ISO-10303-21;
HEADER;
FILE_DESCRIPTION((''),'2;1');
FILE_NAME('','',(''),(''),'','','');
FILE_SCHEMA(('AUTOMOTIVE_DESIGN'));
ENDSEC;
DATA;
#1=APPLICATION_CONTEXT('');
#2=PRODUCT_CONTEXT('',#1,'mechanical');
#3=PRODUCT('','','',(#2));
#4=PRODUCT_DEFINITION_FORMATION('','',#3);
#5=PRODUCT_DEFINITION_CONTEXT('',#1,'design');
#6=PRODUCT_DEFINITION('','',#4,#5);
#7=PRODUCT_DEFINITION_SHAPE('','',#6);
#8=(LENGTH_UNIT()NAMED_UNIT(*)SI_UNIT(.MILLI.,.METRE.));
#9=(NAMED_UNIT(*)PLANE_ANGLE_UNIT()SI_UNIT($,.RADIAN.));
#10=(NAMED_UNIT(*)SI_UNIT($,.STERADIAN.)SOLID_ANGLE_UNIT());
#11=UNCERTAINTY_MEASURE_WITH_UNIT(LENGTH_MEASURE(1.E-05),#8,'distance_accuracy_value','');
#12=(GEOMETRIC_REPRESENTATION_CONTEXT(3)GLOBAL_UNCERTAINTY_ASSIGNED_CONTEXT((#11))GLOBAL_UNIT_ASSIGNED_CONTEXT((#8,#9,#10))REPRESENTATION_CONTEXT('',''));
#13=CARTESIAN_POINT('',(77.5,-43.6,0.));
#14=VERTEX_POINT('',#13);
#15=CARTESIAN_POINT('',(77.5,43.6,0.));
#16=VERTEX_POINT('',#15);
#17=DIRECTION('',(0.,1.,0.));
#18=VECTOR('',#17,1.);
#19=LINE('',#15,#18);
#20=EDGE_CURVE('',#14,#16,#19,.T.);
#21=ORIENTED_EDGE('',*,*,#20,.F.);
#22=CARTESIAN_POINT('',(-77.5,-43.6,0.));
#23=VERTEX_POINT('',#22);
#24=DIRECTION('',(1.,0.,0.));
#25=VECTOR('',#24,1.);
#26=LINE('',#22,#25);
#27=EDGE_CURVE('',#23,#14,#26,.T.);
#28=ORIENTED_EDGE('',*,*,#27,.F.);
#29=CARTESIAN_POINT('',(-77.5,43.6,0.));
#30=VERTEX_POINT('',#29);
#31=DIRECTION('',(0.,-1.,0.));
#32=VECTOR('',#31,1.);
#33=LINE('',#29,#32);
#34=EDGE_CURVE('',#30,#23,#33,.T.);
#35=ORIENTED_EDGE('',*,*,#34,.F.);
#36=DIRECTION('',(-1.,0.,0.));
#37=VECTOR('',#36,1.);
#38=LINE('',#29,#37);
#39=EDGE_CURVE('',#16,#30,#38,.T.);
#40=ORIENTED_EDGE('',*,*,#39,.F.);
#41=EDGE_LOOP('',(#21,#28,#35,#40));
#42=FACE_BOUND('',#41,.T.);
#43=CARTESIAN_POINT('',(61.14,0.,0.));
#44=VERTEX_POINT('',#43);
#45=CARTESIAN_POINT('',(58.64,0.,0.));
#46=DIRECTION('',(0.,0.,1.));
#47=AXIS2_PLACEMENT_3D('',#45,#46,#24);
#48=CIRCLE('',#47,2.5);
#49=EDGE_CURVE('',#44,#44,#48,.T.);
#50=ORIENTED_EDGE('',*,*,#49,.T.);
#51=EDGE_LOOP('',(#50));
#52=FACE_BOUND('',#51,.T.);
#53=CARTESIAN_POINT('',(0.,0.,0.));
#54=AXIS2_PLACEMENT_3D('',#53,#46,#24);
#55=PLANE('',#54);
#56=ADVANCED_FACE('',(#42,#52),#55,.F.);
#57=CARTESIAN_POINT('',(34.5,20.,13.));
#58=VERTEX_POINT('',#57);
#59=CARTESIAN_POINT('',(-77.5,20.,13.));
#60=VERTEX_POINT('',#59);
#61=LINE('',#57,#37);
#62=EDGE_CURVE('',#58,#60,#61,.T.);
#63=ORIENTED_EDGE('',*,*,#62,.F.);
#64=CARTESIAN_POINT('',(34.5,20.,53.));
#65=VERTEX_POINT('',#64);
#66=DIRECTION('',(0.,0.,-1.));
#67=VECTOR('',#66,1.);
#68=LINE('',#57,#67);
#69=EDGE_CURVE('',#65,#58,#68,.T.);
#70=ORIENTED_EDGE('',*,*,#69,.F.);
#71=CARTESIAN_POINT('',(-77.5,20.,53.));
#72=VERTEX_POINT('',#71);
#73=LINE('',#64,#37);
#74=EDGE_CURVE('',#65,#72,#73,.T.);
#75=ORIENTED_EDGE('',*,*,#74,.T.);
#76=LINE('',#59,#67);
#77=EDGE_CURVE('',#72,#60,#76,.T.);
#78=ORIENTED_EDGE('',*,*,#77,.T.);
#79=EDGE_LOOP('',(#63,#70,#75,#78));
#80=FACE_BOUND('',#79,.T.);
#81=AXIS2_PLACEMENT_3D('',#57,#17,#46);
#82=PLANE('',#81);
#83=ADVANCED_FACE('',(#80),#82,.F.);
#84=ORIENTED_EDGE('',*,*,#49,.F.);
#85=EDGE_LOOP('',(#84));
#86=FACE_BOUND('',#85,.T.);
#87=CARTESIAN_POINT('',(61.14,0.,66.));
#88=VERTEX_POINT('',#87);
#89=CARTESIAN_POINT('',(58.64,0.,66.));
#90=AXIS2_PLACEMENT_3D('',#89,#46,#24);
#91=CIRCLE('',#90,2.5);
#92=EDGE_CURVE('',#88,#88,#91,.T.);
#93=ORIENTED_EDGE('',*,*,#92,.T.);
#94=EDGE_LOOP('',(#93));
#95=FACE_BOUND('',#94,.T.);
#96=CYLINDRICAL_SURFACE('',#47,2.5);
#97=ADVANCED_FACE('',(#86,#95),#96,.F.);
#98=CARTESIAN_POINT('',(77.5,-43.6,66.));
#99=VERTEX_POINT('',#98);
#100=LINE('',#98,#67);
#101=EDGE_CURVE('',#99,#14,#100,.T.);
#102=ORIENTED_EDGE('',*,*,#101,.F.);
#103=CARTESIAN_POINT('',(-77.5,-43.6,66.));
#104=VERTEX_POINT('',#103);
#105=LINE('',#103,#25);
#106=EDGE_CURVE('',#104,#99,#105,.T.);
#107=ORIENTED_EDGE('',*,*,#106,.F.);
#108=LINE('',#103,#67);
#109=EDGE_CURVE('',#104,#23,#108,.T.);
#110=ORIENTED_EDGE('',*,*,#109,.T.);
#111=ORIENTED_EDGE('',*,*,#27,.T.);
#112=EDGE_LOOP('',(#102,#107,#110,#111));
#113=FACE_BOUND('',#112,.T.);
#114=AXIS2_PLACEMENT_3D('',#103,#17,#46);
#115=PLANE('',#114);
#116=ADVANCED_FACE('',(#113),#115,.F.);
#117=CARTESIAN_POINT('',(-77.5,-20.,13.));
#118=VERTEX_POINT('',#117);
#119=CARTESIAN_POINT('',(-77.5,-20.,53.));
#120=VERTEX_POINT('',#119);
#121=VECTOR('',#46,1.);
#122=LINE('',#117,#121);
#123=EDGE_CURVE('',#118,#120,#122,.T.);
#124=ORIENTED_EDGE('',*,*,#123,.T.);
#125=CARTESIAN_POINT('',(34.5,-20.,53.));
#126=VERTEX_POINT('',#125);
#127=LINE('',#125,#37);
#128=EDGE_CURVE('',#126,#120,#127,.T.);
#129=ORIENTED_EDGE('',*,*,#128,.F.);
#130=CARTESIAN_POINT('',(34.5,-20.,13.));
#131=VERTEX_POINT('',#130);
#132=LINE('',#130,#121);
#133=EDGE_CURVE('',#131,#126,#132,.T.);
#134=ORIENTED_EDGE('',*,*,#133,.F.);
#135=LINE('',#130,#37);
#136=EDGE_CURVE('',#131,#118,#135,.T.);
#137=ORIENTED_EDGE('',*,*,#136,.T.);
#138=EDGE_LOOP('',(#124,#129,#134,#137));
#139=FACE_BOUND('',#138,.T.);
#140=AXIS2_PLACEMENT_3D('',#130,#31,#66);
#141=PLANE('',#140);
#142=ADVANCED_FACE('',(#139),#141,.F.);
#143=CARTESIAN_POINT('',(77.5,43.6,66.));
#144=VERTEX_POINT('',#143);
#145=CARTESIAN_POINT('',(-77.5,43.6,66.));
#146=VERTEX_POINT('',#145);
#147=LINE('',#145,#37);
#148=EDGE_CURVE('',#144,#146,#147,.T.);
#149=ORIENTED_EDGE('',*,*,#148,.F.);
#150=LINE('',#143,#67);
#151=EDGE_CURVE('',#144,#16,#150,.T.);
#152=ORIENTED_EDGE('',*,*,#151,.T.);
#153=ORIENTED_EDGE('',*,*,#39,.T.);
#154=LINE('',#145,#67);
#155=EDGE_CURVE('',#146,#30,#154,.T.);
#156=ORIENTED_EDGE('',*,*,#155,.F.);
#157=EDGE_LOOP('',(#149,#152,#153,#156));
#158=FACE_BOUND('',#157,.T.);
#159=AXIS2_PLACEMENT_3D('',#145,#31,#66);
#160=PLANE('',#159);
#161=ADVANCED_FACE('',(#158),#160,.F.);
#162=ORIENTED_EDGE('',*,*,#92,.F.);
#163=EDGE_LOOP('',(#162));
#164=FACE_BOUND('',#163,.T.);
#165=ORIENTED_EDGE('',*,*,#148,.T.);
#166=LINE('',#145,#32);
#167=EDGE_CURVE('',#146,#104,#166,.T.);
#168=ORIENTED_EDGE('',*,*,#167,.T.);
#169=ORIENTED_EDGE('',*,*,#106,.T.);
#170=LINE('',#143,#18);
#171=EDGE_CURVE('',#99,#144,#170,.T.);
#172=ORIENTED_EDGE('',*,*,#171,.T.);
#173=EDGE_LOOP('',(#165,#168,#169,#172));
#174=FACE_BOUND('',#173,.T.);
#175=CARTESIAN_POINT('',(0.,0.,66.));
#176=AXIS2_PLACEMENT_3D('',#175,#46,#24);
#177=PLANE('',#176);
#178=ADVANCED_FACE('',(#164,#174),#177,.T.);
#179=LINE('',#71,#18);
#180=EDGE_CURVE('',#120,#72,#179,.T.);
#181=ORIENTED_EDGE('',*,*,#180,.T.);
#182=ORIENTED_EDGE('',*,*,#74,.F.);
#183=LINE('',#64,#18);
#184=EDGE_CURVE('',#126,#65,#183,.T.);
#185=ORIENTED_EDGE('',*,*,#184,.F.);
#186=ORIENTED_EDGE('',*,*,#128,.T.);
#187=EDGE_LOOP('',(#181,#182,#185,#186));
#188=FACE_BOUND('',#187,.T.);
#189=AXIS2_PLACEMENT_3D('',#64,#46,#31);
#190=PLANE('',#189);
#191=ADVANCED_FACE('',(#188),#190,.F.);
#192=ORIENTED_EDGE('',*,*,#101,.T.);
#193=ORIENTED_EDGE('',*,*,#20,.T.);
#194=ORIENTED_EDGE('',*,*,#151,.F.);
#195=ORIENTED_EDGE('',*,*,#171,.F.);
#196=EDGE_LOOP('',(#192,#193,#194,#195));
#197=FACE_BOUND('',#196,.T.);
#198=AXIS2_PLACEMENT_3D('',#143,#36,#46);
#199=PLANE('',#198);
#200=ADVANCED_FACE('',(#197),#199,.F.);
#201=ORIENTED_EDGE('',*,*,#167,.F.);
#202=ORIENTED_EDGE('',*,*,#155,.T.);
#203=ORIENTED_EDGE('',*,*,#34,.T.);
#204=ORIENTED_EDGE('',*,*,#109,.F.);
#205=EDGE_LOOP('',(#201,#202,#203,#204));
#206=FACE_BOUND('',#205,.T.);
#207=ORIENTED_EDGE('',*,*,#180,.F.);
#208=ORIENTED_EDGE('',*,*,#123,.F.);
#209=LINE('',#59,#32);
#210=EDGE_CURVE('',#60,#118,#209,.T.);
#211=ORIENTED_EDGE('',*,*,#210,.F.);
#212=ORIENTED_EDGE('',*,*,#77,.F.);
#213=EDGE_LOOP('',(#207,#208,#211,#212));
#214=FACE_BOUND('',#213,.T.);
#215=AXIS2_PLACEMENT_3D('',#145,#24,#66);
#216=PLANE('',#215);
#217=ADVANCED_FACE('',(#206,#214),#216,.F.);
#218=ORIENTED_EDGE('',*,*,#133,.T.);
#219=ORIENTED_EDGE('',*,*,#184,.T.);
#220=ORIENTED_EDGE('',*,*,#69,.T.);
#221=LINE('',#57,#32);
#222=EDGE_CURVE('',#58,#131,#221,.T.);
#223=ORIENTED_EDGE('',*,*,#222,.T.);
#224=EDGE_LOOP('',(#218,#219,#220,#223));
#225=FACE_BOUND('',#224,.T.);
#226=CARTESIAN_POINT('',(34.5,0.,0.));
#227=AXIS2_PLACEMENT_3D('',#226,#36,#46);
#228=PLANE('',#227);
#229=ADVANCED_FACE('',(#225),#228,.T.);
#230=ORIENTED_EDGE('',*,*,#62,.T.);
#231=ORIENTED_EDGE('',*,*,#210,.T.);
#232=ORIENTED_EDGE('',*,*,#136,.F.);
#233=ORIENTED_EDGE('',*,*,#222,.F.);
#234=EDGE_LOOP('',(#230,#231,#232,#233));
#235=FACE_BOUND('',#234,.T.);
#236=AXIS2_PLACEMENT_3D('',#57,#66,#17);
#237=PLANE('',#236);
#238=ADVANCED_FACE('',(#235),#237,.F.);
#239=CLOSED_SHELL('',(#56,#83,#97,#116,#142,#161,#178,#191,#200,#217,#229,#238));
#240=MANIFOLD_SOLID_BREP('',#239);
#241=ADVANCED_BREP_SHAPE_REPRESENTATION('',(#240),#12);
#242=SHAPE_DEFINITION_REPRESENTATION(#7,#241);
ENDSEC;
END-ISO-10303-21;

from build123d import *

# Parameters (mm, degrees)
IZIM1_W                     = 155
IZIM1_H                     = 87.2
Y_KSEKLIK_EKSTR_ZYON1_DEPTH = 66
IZIM2_R                     = 2.5
KES_EKSTR_ZYON1_DEPTH       = 111.739378723
IZIM3_W                     = 40
IZIM3_H                     = 40
KES_EKSTR_ZYON2_DEPTH       = 112


with BuildPart() as part:
    # Çizim1 → Yükseklik-Ekstrüzyon1 (new body)
    with BuildSketch(Plane.XY):
        Rectangle(IZIM1_W, IZIM1_H)
    extrude(amount=Y_KSEKLIK_EKSTR_ZYON1_DEPTH)

    # Çizim2 → Kes-Ekstrüzyon1 (cut, through all)
    with BuildSketch(Plane.XY.offset(66)):
        with Locations((58.64, 0)):
            Circle(IZIM2_R)
    extrude(amount=-KES_EKSTR_ZYON1_DEPTH, mode=Mode.SUBTRACT)

    # Çizim3 → Kes-Ekstrüzyon2 (cut)
    with BuildSketch(Plane.ZY.offset(77.5)):
        with Locations((33, 0)):
            Rectangle(IZIM3_W, IZIM3_H)
    extrude(amount=-KES_EKSTR_ZYON2_DEPTH, mode=Mode.SUBTRACT)


solid = part.part
